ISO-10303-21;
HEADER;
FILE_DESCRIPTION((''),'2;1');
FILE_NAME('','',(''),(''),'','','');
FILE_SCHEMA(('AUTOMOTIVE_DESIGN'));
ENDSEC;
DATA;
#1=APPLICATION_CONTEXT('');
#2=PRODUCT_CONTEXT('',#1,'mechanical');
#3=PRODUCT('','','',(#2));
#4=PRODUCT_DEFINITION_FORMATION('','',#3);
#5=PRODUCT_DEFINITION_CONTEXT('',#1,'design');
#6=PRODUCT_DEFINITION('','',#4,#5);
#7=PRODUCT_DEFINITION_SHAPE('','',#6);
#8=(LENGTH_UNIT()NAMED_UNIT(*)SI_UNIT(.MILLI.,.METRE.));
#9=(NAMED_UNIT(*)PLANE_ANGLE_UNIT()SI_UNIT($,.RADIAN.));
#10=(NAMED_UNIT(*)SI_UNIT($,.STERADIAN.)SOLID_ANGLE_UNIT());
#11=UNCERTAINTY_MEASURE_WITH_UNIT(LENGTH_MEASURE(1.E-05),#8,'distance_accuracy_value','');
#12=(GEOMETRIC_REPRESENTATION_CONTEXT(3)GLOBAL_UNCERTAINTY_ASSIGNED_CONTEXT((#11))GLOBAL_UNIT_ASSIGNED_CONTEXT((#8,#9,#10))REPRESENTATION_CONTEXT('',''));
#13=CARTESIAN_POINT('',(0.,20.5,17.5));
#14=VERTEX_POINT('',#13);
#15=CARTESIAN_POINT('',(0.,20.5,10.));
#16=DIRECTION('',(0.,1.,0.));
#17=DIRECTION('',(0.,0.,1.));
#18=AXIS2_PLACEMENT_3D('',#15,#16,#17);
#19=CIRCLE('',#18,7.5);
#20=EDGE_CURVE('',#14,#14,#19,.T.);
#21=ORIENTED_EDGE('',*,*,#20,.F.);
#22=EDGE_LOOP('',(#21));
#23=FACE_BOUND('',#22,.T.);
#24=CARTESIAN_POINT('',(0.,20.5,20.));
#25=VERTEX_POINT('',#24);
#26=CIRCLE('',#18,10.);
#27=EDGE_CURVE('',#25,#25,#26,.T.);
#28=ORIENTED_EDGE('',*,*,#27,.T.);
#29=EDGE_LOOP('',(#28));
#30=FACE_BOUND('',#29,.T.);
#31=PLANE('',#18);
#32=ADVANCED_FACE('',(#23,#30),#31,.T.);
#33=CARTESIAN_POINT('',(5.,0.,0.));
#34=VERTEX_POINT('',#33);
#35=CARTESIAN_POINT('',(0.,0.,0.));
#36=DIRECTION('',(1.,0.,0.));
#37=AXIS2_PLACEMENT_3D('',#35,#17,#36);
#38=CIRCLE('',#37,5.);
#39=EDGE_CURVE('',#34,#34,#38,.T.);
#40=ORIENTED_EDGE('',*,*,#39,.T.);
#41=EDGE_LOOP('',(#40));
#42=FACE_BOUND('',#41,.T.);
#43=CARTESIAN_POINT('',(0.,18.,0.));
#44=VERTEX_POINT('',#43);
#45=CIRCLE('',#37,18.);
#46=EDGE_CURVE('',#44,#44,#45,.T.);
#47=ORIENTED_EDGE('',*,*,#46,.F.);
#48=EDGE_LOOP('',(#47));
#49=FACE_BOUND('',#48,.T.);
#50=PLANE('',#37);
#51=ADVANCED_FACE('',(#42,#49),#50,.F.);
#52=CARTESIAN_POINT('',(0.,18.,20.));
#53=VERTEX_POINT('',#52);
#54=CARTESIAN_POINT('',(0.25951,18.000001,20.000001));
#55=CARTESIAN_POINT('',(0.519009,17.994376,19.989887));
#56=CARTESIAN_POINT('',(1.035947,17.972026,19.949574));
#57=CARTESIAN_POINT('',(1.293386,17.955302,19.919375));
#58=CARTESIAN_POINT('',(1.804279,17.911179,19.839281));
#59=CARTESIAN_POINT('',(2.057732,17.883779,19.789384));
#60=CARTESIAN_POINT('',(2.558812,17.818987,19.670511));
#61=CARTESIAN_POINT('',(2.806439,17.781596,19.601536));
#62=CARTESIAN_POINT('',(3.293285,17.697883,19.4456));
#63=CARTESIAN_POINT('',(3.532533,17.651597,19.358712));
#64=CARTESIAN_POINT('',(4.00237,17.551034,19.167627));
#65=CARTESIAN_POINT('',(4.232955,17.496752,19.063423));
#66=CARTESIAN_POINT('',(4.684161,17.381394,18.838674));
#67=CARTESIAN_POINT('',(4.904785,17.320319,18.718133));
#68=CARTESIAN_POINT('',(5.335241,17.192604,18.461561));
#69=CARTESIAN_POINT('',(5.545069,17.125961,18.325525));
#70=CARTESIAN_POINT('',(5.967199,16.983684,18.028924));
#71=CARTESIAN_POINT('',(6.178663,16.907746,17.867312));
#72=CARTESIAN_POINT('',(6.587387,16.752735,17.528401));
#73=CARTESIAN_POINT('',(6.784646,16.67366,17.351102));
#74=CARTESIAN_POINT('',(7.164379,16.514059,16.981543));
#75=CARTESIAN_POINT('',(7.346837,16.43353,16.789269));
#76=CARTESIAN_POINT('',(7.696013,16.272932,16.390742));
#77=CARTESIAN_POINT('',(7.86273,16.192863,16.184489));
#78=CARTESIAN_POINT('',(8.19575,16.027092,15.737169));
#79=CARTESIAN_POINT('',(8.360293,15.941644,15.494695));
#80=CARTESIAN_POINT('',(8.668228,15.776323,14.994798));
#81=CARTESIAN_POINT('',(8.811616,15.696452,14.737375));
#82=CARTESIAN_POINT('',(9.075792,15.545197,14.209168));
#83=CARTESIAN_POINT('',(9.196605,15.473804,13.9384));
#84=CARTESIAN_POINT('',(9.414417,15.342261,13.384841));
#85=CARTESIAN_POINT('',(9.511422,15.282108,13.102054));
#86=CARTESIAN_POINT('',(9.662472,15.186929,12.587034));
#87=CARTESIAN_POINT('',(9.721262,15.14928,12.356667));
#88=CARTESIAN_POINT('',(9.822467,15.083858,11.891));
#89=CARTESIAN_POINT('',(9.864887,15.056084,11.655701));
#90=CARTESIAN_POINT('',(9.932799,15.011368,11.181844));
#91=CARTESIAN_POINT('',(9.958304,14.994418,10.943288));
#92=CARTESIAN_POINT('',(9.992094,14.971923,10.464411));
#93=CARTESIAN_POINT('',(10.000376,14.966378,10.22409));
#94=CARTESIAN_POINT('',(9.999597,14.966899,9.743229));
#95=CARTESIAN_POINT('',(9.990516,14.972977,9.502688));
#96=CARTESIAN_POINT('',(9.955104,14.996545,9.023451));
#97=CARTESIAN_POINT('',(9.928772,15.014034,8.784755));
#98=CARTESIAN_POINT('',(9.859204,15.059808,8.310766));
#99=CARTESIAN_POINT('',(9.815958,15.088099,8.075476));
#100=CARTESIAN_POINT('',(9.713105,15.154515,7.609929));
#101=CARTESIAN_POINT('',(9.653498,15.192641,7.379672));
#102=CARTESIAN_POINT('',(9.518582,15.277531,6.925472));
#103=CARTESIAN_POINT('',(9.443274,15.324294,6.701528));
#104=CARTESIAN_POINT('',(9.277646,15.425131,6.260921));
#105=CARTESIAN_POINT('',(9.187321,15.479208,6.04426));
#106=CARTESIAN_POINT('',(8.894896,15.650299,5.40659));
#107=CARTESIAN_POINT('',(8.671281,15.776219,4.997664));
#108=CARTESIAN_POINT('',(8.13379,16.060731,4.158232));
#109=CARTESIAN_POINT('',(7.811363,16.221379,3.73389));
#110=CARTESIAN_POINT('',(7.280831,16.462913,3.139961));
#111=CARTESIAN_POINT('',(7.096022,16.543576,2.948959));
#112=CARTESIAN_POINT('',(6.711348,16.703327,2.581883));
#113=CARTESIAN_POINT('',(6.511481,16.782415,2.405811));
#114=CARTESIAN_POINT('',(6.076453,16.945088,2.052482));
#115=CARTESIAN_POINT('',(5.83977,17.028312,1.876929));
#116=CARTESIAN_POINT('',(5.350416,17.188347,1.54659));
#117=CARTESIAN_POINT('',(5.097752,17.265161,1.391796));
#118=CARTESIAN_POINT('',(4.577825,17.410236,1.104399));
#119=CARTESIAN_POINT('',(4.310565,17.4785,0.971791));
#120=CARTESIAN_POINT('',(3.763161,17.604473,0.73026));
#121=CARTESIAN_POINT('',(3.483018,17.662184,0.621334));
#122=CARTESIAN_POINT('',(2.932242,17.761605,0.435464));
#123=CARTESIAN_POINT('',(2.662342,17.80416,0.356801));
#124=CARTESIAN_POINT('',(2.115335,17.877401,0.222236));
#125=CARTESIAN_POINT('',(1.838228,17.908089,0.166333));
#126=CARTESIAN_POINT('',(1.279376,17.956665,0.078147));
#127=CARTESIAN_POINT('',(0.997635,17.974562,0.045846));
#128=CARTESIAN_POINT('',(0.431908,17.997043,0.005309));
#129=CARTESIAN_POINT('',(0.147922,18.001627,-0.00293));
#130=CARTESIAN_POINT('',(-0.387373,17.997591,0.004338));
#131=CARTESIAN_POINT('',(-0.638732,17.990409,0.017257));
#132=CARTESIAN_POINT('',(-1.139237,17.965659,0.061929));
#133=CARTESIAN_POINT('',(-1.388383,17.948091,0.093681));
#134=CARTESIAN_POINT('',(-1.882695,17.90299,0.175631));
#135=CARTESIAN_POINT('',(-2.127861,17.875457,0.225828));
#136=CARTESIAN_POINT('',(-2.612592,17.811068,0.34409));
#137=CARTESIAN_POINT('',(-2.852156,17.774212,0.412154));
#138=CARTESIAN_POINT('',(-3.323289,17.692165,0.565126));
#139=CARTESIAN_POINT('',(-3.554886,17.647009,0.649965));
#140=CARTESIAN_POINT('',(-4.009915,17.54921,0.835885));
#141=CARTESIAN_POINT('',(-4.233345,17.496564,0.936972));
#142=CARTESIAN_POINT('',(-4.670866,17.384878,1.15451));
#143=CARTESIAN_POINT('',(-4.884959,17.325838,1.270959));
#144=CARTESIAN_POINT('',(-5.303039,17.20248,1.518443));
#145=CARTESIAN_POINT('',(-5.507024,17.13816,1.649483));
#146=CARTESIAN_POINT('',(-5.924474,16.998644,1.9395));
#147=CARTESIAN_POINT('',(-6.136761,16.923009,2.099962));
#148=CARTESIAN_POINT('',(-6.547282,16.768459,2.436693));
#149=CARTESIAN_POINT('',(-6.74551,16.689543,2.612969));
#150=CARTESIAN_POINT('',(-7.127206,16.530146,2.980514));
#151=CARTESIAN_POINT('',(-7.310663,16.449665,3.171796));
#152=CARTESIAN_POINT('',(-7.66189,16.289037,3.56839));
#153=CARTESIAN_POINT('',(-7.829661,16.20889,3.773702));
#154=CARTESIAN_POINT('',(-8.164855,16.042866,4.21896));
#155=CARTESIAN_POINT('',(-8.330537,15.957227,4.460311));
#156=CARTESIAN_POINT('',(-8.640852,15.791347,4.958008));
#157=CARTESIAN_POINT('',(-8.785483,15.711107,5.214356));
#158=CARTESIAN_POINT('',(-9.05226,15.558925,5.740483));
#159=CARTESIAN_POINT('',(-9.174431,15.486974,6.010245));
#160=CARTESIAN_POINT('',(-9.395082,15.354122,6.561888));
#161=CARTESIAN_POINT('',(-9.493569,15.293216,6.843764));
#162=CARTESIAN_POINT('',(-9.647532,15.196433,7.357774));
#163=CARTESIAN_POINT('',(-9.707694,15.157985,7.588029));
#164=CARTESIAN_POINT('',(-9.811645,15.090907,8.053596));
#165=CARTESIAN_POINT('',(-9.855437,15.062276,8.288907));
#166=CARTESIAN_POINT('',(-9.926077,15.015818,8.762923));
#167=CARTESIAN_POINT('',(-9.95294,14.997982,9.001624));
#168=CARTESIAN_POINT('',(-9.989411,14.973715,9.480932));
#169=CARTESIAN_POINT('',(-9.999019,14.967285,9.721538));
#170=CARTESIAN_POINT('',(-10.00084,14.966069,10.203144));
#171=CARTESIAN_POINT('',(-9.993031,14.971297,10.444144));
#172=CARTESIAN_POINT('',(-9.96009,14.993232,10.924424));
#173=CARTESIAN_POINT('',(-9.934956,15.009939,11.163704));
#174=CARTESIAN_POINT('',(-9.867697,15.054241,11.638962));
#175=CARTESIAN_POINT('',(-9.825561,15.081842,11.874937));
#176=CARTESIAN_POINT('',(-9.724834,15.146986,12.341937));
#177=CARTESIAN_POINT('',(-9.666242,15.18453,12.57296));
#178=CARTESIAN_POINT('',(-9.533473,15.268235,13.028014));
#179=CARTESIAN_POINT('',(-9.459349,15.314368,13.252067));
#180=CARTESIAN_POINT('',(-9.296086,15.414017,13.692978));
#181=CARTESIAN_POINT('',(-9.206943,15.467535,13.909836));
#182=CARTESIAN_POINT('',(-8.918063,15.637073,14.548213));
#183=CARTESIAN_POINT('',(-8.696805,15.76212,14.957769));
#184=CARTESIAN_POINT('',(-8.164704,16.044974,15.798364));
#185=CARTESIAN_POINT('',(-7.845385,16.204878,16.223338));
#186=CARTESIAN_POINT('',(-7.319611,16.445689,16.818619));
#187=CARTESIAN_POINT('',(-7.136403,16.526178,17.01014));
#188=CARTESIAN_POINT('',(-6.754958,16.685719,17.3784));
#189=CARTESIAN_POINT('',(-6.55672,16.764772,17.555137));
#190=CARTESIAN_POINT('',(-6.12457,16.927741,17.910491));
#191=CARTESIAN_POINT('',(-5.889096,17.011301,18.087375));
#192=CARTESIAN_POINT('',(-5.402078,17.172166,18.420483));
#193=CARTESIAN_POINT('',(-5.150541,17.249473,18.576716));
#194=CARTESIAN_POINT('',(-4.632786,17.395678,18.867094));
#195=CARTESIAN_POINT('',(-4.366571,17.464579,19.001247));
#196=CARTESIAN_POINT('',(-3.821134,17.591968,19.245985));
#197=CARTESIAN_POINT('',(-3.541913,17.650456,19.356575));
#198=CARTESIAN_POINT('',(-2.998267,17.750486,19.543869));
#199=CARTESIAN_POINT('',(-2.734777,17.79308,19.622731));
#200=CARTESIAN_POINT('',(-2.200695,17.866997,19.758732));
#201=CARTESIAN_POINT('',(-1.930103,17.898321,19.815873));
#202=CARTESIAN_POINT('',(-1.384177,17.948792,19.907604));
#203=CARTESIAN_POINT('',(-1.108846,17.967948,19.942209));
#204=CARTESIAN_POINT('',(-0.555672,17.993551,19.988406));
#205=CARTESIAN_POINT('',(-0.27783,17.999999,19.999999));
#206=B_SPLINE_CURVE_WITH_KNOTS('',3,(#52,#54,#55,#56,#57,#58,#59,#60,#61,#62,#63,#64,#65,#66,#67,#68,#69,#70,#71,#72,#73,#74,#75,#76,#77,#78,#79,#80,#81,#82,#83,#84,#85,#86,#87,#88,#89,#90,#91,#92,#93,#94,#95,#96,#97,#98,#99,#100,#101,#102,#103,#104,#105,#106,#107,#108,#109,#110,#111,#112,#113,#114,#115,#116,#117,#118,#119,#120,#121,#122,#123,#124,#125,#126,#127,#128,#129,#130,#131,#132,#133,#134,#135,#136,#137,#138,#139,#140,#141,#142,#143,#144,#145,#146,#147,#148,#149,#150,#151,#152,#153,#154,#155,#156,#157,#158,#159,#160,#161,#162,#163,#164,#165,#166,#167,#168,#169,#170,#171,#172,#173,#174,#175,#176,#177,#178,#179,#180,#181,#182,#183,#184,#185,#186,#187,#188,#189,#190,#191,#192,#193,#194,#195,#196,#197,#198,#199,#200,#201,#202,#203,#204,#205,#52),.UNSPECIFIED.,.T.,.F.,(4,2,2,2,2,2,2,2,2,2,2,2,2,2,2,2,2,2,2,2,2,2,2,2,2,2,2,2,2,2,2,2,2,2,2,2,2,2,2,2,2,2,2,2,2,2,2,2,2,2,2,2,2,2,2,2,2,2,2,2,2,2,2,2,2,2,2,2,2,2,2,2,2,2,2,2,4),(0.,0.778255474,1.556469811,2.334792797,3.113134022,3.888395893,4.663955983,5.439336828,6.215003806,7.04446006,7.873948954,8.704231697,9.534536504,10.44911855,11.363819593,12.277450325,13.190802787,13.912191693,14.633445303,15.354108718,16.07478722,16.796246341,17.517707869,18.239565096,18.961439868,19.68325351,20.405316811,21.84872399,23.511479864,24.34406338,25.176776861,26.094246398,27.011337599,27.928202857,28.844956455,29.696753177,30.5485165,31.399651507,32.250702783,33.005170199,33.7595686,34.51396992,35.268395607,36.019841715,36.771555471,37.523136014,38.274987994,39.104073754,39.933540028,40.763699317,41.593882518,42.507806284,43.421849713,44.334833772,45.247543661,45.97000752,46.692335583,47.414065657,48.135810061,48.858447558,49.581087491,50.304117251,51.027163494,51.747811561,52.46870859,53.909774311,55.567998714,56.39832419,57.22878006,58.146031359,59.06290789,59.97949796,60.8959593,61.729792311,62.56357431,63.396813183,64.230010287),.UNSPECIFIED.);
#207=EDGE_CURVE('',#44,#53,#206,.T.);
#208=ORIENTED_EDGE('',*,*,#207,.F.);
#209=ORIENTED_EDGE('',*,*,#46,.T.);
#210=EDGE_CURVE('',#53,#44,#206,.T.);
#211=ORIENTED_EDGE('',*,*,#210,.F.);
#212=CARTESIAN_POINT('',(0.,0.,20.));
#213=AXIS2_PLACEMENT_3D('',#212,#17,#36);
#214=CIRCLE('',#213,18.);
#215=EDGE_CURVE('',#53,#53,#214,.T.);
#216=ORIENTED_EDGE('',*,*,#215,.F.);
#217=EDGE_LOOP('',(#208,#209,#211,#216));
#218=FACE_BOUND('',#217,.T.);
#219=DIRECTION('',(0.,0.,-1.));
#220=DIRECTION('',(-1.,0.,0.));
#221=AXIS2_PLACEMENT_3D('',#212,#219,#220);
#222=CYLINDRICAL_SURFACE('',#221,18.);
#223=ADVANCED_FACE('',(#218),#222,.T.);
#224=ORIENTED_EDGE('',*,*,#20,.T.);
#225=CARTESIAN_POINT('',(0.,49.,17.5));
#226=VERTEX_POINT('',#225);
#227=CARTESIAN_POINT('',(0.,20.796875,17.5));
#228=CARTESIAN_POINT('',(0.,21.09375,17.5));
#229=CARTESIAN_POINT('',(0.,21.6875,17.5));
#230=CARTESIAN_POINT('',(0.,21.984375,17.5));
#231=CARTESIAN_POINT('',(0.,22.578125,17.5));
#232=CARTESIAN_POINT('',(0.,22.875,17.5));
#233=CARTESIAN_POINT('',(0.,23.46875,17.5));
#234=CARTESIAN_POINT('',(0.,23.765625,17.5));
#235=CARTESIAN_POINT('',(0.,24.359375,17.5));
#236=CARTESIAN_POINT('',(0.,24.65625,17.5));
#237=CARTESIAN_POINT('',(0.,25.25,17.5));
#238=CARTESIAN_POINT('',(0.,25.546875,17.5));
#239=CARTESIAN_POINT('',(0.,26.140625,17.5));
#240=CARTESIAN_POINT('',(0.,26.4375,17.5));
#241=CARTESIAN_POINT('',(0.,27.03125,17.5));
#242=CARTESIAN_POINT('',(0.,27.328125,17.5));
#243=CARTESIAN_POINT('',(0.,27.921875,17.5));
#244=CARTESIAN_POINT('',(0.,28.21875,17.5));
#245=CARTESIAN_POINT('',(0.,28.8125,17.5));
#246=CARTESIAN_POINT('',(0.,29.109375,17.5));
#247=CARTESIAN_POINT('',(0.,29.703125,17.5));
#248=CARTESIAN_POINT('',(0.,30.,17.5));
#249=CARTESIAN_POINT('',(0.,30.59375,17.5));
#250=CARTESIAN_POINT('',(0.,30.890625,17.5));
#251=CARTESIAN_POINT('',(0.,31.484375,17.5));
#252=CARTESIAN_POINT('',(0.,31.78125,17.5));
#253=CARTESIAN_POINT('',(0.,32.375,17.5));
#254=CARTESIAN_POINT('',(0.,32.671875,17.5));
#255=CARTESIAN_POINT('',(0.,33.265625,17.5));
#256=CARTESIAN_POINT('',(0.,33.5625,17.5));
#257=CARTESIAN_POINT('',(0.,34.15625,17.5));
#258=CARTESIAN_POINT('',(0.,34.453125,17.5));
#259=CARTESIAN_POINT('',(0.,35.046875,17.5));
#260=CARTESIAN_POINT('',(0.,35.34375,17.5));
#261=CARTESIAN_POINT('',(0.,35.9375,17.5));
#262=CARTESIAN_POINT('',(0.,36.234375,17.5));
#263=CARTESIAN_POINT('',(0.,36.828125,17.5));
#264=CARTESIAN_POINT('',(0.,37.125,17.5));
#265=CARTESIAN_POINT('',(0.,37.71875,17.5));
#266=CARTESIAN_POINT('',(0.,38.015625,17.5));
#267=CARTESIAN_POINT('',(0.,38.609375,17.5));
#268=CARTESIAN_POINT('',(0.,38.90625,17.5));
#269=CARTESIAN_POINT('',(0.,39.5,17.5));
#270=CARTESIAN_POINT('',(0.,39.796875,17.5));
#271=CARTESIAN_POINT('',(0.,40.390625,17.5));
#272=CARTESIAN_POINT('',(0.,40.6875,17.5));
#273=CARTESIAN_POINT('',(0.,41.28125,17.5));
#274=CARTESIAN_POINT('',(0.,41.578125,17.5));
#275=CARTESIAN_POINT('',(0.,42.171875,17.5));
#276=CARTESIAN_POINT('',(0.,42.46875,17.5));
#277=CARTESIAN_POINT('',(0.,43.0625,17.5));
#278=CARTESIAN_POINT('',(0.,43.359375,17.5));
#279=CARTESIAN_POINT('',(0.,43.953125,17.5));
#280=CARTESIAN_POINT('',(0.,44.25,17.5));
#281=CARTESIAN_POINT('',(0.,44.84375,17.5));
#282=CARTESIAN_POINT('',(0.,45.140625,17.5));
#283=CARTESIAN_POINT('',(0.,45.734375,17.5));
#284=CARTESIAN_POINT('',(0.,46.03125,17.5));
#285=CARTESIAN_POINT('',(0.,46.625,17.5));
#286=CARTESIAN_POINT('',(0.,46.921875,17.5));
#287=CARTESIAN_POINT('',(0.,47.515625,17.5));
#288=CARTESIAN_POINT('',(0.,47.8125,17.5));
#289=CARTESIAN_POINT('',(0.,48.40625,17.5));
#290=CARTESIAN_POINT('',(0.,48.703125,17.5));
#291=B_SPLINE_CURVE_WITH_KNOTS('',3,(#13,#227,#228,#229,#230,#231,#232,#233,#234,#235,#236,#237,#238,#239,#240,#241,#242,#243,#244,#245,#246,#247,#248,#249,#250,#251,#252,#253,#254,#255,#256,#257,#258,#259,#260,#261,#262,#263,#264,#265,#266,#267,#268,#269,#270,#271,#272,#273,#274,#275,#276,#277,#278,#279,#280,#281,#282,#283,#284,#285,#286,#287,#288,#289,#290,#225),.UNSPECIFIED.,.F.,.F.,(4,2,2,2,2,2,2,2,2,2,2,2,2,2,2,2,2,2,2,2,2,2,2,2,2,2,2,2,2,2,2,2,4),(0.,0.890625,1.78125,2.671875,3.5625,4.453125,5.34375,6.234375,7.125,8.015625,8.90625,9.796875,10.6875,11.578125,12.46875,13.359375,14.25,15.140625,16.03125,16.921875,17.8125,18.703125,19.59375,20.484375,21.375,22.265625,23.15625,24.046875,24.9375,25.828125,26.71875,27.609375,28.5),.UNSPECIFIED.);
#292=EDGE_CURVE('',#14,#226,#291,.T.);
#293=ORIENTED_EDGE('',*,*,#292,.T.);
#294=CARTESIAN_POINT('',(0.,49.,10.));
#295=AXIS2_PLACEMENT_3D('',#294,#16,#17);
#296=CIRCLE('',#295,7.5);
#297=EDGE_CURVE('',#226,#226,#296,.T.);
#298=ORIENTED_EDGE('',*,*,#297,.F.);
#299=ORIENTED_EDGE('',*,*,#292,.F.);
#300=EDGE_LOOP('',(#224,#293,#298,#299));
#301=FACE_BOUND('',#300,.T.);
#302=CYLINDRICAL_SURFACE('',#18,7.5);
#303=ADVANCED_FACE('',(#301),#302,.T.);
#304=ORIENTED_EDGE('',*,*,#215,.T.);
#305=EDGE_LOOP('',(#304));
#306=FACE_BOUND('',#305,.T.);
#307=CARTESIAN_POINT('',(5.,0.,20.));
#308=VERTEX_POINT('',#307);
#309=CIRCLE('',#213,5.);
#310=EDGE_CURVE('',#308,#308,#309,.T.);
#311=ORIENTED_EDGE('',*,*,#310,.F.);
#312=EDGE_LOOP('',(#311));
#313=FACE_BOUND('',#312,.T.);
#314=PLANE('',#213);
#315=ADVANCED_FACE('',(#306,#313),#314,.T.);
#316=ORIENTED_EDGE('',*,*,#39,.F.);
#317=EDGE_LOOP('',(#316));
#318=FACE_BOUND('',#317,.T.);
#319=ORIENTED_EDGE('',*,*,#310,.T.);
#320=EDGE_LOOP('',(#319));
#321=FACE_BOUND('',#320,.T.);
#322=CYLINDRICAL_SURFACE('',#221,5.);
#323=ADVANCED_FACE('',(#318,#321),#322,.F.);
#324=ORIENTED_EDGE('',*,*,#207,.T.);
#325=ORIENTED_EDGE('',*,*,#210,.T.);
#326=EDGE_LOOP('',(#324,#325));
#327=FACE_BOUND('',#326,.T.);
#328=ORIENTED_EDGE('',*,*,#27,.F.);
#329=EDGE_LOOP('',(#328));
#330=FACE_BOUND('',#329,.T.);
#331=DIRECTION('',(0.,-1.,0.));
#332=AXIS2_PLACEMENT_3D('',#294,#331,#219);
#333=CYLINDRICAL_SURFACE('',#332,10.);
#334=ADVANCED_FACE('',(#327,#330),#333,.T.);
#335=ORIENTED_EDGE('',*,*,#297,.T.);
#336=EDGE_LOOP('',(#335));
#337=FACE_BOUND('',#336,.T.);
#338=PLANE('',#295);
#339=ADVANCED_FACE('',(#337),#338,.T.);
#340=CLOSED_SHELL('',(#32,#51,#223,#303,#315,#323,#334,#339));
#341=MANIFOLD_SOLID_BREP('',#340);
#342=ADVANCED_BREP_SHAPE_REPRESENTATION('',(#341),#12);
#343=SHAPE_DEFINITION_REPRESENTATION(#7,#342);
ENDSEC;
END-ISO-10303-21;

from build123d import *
from build123d.topology import SkipClean

# Parameters (mm, degrees)
SKETCH_1_R          = 18
SKETCH_1_R_2        = 5
EXTRUDE_1_DEPTH     = 20
SKETCH_2_R          = 10
EXTRUDE_2_DEPTH     = 35
SKETCH_4_R          = 15
SKETCH_4_R_2        = 7.5
CUT_EXTRUDE_3_DEPTH = 28.5


with BuildPart() as part:
    # Эскиз1 → Вытянуть1 (new body)
    with BuildSketch(Plane.XY):
        Circle(SKETCH_1_R)
        Circle(SKETCH_1_R_2, mode=Mode.SUBTRACT)
    extrude(amount=EXTRUDE_1_DEPTH)

    # Эскиз2 → Вытянуть2 (add)
    with SkipClean():  # the faces are left unmerged after this step: merging them gives an invalid solid
        with BuildSketch(Plane(origin=(0, 14, 0), x_dir=(1, 0, 0), z_dir=(0, 1, 0))):
            with Locations(Location((0, -10, 0), (0, 0, 270))):
                Circle(SKETCH_2_R)
        extrude(amount=EXTRUDE_2_DEPTH)

    # Эскиз4 → Вытянуть3 (cut)
    with SkipClean():  # the faces are left unmerged after this step: merging them gives an invalid solid
        with BuildSketch(Plane(origin=(0, 49, 0), x_dir=(1, 0, 0), z_dir=(0, 1, 0))):
            with Locations((0, -10)):
                Circle(SKETCH_4_R)
            with Locations(Location((0, -10, 0), (0, 0, 270))):
                Circle(SKETCH_4_R_2, mode=Mode.SUBTRACT)
        extrude(amount=-CUT_EXTRUDE_3_DEPTH, mode=Mode.SUBTRACT)


solid = part.part
